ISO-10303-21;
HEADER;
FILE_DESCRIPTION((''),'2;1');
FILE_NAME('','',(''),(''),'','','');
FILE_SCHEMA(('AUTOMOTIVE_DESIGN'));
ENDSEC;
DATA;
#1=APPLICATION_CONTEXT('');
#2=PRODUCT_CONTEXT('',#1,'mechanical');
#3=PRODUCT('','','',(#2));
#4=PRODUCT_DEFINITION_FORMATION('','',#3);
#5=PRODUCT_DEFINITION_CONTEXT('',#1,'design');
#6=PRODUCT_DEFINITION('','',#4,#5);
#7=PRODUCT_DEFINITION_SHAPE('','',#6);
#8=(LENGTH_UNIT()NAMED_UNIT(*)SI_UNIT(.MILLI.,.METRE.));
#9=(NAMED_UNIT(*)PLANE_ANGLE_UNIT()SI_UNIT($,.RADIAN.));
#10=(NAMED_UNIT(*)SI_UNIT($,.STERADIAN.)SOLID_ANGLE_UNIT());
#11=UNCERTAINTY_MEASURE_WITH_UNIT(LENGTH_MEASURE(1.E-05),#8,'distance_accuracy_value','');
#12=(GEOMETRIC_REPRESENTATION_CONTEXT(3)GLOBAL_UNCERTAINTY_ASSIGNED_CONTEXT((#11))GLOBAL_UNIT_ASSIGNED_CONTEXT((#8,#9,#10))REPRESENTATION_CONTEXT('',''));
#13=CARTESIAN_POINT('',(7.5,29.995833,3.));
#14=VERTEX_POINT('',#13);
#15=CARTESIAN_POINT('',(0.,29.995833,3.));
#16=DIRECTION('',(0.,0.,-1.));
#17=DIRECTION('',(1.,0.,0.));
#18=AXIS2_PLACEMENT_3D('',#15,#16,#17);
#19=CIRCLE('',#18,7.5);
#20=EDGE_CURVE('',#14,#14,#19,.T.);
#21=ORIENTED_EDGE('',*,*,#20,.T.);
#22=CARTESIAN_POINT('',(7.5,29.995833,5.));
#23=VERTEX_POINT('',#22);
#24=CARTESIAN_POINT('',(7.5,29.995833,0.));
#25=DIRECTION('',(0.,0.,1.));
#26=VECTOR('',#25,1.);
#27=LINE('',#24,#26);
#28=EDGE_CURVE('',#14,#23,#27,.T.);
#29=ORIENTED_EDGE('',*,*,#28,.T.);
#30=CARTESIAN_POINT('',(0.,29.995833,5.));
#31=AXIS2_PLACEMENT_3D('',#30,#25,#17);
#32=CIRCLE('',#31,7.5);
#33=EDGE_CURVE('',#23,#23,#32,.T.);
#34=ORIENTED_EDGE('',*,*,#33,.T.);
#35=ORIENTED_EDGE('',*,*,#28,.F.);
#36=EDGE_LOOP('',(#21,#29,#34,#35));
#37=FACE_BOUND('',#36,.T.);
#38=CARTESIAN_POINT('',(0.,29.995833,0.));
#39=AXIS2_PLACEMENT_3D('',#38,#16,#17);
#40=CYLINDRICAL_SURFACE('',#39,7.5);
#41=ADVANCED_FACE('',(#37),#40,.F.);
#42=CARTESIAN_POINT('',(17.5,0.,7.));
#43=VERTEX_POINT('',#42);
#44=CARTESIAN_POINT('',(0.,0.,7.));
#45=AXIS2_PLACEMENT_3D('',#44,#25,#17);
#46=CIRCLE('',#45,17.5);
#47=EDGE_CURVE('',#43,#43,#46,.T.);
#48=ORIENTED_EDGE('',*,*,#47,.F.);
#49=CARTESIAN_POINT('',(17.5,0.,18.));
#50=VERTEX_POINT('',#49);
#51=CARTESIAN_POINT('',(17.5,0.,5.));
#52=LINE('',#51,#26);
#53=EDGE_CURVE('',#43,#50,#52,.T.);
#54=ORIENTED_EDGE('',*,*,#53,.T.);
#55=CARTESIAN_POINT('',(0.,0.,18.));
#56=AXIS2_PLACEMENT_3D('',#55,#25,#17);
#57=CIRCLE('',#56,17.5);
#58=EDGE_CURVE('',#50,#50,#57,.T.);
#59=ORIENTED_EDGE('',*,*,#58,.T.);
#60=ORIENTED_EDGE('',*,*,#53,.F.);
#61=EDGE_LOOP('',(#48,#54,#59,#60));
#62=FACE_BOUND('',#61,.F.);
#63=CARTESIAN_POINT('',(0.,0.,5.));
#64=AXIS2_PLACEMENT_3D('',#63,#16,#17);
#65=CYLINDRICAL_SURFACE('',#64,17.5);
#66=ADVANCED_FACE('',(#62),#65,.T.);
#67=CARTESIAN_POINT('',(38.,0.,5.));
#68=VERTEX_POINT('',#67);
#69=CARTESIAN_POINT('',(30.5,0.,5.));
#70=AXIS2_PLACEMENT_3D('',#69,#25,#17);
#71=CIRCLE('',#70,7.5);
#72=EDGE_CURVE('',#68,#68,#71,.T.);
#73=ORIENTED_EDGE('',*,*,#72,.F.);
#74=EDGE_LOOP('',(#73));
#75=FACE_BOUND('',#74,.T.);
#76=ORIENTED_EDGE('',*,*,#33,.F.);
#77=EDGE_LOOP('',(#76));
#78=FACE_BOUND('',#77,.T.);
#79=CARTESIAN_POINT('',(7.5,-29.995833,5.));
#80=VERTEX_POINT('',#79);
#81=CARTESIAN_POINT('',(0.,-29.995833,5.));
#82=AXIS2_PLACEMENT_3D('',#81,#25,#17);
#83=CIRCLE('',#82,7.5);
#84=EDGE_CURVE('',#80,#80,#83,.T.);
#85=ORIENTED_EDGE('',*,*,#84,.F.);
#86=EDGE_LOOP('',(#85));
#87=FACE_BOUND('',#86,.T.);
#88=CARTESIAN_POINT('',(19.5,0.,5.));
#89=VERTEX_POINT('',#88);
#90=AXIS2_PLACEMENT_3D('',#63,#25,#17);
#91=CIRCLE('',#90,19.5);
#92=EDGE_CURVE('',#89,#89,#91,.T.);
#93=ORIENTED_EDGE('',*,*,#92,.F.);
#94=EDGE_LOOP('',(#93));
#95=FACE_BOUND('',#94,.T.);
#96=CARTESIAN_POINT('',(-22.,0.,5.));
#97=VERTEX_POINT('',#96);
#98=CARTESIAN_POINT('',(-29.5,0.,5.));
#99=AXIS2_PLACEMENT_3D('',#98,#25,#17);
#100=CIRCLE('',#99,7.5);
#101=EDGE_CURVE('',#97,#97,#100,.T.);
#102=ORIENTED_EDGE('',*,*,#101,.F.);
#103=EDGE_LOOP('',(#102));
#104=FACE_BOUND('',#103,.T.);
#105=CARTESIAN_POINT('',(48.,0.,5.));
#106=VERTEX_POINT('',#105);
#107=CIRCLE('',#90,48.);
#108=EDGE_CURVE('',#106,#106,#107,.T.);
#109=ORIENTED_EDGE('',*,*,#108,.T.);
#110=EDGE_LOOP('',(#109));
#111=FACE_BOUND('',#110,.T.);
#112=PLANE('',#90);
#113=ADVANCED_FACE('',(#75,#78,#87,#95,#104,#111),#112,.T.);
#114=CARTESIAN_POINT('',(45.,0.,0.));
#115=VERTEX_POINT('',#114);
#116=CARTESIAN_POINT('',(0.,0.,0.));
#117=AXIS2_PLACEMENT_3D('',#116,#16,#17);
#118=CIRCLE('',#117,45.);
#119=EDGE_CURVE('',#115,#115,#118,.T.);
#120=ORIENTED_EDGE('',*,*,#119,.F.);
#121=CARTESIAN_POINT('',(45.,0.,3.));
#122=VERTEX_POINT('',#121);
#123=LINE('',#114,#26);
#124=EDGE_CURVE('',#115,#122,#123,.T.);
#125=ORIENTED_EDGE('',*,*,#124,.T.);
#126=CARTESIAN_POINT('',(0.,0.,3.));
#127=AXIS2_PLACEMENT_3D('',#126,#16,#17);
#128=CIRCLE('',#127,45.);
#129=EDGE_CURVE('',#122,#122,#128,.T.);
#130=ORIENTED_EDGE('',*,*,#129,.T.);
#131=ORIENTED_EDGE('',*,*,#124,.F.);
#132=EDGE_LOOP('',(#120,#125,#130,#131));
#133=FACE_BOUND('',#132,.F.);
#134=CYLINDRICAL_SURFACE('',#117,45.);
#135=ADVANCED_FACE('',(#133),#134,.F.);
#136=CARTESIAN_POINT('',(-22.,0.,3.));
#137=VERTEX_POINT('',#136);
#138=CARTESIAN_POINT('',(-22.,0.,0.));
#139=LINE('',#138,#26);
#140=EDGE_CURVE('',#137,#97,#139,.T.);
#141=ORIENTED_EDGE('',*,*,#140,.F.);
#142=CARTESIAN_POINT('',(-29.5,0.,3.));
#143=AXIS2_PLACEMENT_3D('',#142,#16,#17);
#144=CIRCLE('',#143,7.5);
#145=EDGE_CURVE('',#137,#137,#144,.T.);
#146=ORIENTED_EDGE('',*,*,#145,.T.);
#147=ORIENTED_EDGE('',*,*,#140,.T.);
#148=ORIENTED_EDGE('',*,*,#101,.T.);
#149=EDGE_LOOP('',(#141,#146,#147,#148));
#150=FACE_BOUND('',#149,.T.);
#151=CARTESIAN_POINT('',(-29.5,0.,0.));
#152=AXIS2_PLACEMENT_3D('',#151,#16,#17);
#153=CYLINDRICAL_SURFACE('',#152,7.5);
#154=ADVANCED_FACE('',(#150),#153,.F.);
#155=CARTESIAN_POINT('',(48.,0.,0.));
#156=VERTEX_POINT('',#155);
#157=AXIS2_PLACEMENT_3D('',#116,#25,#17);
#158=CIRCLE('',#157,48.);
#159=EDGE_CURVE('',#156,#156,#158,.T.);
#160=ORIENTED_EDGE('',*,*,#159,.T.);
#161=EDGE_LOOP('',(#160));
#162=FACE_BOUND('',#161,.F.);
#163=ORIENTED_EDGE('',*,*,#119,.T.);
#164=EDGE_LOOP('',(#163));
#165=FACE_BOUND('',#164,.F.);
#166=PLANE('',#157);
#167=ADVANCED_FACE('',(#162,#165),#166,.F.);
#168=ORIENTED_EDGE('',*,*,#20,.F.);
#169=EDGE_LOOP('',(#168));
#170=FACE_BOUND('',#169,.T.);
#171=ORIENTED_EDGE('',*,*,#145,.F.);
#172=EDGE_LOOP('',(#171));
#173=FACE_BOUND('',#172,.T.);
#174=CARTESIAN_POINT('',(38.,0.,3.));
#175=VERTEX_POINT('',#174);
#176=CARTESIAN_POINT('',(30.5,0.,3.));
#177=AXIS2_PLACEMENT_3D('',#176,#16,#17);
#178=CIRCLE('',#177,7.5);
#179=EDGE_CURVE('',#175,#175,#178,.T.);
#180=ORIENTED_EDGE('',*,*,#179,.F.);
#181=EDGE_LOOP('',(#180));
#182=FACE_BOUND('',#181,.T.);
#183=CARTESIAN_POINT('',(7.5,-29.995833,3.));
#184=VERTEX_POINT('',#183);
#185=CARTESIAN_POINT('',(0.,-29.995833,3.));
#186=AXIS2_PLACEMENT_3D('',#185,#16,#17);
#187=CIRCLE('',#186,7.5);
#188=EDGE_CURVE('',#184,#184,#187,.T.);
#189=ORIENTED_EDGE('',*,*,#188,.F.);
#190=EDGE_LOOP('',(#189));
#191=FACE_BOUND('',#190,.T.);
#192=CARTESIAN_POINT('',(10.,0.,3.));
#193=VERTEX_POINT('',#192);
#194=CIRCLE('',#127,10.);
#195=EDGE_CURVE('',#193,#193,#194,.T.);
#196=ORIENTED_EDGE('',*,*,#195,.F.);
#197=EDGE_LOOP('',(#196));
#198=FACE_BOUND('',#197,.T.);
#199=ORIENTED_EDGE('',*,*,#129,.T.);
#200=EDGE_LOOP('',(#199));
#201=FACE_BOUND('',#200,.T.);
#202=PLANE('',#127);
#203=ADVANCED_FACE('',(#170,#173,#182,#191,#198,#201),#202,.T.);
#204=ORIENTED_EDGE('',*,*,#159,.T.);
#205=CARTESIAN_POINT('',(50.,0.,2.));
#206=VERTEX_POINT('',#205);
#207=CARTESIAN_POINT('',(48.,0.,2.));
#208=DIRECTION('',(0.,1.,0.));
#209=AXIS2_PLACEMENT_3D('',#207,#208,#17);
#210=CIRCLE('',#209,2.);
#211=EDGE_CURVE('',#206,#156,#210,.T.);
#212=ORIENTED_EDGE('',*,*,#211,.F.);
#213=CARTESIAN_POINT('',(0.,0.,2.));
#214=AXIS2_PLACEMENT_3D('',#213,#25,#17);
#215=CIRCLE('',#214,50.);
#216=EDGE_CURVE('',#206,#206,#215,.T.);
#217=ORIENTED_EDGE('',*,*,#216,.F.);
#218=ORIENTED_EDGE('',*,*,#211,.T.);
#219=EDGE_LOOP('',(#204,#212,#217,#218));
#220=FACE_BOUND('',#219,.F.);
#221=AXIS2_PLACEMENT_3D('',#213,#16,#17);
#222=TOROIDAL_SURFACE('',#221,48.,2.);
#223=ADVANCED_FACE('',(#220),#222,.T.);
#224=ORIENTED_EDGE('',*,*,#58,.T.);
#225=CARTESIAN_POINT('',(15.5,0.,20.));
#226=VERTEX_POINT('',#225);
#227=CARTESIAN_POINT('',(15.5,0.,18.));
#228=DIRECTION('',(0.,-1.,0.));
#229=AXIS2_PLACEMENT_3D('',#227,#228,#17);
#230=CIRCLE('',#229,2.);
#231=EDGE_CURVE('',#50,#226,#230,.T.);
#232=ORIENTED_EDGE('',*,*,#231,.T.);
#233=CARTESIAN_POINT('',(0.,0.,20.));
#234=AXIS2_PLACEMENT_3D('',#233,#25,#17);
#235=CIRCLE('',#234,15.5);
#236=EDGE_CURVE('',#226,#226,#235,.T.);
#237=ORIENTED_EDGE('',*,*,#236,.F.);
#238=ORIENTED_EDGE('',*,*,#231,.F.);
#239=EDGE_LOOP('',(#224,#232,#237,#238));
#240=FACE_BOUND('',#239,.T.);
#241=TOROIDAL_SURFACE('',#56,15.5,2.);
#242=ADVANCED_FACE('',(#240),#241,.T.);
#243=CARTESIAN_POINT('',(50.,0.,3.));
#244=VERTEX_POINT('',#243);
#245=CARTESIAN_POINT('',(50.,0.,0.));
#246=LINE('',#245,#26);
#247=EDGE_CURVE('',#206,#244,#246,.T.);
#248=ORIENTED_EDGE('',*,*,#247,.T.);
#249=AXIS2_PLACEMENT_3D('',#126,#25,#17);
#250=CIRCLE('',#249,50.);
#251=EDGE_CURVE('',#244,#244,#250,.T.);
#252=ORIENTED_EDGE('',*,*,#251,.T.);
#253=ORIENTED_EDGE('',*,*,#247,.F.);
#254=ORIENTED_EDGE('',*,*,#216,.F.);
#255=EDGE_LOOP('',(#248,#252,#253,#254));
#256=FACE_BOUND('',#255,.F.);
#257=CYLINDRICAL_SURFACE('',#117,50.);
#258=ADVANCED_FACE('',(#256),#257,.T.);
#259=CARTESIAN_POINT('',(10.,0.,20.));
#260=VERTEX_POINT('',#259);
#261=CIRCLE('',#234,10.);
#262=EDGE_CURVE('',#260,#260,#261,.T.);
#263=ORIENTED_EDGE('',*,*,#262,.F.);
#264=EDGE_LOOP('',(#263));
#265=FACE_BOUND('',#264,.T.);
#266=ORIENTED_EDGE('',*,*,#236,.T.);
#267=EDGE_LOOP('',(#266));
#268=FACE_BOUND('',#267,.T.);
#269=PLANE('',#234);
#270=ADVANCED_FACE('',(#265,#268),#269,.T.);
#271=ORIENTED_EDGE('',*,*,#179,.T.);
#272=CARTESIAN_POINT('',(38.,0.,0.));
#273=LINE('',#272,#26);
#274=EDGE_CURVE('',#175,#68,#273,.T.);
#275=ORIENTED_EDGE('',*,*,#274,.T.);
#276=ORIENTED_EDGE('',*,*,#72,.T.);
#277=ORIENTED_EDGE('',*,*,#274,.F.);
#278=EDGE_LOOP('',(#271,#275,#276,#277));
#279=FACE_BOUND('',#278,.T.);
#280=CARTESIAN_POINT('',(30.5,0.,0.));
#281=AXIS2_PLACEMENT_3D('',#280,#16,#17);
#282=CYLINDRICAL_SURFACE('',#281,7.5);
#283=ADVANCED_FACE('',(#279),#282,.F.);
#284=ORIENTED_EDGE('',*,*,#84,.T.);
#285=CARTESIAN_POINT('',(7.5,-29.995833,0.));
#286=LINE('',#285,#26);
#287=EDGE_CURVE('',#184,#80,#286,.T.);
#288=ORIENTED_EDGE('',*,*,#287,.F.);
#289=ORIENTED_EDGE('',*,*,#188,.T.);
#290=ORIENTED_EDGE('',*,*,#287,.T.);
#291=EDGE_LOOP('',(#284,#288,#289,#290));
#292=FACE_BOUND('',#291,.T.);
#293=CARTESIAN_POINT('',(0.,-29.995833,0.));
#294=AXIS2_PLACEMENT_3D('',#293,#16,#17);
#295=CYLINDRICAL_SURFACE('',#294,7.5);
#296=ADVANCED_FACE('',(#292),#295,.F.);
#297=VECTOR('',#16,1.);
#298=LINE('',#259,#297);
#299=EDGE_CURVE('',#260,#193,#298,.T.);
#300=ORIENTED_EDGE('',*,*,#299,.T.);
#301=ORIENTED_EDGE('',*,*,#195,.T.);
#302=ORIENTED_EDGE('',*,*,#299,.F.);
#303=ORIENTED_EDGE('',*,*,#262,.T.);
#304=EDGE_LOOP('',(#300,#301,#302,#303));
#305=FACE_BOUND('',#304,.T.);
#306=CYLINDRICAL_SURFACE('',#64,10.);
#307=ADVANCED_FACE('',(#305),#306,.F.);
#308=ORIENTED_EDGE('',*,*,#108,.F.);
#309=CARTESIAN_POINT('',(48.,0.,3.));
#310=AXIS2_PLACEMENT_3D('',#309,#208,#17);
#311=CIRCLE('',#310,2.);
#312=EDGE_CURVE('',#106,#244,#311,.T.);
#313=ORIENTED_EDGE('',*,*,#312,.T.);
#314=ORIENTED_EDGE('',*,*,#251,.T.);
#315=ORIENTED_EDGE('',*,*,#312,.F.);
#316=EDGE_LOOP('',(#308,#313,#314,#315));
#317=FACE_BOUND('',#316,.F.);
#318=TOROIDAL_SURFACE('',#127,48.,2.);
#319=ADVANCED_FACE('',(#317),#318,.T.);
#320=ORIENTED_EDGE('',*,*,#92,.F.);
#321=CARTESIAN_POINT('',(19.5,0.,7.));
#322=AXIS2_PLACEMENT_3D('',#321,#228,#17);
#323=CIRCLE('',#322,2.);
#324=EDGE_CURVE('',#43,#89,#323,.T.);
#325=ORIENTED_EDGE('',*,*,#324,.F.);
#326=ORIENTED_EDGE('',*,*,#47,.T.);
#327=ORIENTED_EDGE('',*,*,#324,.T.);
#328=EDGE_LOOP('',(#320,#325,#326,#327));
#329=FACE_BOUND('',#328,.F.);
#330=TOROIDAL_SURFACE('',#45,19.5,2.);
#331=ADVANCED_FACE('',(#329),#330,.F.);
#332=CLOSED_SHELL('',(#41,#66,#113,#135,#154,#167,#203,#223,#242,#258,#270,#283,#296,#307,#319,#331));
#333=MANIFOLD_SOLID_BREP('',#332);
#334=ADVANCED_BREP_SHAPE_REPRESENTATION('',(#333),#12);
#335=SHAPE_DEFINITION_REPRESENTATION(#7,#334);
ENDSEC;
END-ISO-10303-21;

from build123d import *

# Parameters (mm, degrees)
SKETCH_R      = 50
SKETCH_R_2    = 7.5
SKETCH_R_3    = 10
PAD_DEPTH     = 5
SKETCH001_R   = 17.5
SKETCH001_R_2 = 10
PAD001_DEPTH  = 15
SKETCH002_R   = 45
POCKET_DEPTH  = 3
FILLET_R      = 2


with BuildPart() as part:
    # Sketch (on XY_Plane of Origin) → Pad (new body)
    with BuildSketch(Plane.XY):
        Circle(SKETCH_R)
        with Locations((0, 29.995833)):
            Circle(SKETCH_R_2, mode=Mode.SUBTRACT)
        with Locations((-29.5, 0)):
            Circle(SKETCH_R_2, mode=Mode.SUBTRACT)
        with Locations((30.5, 0)):
            Circle(SKETCH_R_2, mode=Mode.SUBTRACT)
        with Locations((0, -29.995833)):
            Circle(SKETCH_R_2, mode=Mode.SUBTRACT)
        Circle(SKETCH_R_3, mode=Mode.SUBTRACT)
    extrude(amount=PAD_DEPTH)

    # Sketch001 (on Face8 of Pad) → Pad001 (join)
    with BuildSketch(Plane.XY.offset(5)):
        Circle(SKETCH001_R)
        Circle(SKETCH001_R_2, mode=Mode.SUBTRACT)
    extrude(amount=PAD001_DEPTH)

    # Sketch002 (on Face2 of Pad001) → Pocket (cut)
    with BuildSketch(Plane(origin=(0, 0, 0), x_dir=(1, 0, 0), z_dir=(0, 0, -1))):
        Circle(SKETCH002_R)
    extrude(amount=-POCKET_DEPTH, mode=Mode.SUBTRACT)

    # Fillet
    fillet_edges = [part.edges().sort_by_distance(p)[0] for p in [
        (-17.5, 0, 20),
        (-17.5, 0, 5),
        (-50, 0, 5),
        (-50, 0, 0),
    ]]
    fillet(fillet_edges, radius=FILLET_R)


solid = part.part
